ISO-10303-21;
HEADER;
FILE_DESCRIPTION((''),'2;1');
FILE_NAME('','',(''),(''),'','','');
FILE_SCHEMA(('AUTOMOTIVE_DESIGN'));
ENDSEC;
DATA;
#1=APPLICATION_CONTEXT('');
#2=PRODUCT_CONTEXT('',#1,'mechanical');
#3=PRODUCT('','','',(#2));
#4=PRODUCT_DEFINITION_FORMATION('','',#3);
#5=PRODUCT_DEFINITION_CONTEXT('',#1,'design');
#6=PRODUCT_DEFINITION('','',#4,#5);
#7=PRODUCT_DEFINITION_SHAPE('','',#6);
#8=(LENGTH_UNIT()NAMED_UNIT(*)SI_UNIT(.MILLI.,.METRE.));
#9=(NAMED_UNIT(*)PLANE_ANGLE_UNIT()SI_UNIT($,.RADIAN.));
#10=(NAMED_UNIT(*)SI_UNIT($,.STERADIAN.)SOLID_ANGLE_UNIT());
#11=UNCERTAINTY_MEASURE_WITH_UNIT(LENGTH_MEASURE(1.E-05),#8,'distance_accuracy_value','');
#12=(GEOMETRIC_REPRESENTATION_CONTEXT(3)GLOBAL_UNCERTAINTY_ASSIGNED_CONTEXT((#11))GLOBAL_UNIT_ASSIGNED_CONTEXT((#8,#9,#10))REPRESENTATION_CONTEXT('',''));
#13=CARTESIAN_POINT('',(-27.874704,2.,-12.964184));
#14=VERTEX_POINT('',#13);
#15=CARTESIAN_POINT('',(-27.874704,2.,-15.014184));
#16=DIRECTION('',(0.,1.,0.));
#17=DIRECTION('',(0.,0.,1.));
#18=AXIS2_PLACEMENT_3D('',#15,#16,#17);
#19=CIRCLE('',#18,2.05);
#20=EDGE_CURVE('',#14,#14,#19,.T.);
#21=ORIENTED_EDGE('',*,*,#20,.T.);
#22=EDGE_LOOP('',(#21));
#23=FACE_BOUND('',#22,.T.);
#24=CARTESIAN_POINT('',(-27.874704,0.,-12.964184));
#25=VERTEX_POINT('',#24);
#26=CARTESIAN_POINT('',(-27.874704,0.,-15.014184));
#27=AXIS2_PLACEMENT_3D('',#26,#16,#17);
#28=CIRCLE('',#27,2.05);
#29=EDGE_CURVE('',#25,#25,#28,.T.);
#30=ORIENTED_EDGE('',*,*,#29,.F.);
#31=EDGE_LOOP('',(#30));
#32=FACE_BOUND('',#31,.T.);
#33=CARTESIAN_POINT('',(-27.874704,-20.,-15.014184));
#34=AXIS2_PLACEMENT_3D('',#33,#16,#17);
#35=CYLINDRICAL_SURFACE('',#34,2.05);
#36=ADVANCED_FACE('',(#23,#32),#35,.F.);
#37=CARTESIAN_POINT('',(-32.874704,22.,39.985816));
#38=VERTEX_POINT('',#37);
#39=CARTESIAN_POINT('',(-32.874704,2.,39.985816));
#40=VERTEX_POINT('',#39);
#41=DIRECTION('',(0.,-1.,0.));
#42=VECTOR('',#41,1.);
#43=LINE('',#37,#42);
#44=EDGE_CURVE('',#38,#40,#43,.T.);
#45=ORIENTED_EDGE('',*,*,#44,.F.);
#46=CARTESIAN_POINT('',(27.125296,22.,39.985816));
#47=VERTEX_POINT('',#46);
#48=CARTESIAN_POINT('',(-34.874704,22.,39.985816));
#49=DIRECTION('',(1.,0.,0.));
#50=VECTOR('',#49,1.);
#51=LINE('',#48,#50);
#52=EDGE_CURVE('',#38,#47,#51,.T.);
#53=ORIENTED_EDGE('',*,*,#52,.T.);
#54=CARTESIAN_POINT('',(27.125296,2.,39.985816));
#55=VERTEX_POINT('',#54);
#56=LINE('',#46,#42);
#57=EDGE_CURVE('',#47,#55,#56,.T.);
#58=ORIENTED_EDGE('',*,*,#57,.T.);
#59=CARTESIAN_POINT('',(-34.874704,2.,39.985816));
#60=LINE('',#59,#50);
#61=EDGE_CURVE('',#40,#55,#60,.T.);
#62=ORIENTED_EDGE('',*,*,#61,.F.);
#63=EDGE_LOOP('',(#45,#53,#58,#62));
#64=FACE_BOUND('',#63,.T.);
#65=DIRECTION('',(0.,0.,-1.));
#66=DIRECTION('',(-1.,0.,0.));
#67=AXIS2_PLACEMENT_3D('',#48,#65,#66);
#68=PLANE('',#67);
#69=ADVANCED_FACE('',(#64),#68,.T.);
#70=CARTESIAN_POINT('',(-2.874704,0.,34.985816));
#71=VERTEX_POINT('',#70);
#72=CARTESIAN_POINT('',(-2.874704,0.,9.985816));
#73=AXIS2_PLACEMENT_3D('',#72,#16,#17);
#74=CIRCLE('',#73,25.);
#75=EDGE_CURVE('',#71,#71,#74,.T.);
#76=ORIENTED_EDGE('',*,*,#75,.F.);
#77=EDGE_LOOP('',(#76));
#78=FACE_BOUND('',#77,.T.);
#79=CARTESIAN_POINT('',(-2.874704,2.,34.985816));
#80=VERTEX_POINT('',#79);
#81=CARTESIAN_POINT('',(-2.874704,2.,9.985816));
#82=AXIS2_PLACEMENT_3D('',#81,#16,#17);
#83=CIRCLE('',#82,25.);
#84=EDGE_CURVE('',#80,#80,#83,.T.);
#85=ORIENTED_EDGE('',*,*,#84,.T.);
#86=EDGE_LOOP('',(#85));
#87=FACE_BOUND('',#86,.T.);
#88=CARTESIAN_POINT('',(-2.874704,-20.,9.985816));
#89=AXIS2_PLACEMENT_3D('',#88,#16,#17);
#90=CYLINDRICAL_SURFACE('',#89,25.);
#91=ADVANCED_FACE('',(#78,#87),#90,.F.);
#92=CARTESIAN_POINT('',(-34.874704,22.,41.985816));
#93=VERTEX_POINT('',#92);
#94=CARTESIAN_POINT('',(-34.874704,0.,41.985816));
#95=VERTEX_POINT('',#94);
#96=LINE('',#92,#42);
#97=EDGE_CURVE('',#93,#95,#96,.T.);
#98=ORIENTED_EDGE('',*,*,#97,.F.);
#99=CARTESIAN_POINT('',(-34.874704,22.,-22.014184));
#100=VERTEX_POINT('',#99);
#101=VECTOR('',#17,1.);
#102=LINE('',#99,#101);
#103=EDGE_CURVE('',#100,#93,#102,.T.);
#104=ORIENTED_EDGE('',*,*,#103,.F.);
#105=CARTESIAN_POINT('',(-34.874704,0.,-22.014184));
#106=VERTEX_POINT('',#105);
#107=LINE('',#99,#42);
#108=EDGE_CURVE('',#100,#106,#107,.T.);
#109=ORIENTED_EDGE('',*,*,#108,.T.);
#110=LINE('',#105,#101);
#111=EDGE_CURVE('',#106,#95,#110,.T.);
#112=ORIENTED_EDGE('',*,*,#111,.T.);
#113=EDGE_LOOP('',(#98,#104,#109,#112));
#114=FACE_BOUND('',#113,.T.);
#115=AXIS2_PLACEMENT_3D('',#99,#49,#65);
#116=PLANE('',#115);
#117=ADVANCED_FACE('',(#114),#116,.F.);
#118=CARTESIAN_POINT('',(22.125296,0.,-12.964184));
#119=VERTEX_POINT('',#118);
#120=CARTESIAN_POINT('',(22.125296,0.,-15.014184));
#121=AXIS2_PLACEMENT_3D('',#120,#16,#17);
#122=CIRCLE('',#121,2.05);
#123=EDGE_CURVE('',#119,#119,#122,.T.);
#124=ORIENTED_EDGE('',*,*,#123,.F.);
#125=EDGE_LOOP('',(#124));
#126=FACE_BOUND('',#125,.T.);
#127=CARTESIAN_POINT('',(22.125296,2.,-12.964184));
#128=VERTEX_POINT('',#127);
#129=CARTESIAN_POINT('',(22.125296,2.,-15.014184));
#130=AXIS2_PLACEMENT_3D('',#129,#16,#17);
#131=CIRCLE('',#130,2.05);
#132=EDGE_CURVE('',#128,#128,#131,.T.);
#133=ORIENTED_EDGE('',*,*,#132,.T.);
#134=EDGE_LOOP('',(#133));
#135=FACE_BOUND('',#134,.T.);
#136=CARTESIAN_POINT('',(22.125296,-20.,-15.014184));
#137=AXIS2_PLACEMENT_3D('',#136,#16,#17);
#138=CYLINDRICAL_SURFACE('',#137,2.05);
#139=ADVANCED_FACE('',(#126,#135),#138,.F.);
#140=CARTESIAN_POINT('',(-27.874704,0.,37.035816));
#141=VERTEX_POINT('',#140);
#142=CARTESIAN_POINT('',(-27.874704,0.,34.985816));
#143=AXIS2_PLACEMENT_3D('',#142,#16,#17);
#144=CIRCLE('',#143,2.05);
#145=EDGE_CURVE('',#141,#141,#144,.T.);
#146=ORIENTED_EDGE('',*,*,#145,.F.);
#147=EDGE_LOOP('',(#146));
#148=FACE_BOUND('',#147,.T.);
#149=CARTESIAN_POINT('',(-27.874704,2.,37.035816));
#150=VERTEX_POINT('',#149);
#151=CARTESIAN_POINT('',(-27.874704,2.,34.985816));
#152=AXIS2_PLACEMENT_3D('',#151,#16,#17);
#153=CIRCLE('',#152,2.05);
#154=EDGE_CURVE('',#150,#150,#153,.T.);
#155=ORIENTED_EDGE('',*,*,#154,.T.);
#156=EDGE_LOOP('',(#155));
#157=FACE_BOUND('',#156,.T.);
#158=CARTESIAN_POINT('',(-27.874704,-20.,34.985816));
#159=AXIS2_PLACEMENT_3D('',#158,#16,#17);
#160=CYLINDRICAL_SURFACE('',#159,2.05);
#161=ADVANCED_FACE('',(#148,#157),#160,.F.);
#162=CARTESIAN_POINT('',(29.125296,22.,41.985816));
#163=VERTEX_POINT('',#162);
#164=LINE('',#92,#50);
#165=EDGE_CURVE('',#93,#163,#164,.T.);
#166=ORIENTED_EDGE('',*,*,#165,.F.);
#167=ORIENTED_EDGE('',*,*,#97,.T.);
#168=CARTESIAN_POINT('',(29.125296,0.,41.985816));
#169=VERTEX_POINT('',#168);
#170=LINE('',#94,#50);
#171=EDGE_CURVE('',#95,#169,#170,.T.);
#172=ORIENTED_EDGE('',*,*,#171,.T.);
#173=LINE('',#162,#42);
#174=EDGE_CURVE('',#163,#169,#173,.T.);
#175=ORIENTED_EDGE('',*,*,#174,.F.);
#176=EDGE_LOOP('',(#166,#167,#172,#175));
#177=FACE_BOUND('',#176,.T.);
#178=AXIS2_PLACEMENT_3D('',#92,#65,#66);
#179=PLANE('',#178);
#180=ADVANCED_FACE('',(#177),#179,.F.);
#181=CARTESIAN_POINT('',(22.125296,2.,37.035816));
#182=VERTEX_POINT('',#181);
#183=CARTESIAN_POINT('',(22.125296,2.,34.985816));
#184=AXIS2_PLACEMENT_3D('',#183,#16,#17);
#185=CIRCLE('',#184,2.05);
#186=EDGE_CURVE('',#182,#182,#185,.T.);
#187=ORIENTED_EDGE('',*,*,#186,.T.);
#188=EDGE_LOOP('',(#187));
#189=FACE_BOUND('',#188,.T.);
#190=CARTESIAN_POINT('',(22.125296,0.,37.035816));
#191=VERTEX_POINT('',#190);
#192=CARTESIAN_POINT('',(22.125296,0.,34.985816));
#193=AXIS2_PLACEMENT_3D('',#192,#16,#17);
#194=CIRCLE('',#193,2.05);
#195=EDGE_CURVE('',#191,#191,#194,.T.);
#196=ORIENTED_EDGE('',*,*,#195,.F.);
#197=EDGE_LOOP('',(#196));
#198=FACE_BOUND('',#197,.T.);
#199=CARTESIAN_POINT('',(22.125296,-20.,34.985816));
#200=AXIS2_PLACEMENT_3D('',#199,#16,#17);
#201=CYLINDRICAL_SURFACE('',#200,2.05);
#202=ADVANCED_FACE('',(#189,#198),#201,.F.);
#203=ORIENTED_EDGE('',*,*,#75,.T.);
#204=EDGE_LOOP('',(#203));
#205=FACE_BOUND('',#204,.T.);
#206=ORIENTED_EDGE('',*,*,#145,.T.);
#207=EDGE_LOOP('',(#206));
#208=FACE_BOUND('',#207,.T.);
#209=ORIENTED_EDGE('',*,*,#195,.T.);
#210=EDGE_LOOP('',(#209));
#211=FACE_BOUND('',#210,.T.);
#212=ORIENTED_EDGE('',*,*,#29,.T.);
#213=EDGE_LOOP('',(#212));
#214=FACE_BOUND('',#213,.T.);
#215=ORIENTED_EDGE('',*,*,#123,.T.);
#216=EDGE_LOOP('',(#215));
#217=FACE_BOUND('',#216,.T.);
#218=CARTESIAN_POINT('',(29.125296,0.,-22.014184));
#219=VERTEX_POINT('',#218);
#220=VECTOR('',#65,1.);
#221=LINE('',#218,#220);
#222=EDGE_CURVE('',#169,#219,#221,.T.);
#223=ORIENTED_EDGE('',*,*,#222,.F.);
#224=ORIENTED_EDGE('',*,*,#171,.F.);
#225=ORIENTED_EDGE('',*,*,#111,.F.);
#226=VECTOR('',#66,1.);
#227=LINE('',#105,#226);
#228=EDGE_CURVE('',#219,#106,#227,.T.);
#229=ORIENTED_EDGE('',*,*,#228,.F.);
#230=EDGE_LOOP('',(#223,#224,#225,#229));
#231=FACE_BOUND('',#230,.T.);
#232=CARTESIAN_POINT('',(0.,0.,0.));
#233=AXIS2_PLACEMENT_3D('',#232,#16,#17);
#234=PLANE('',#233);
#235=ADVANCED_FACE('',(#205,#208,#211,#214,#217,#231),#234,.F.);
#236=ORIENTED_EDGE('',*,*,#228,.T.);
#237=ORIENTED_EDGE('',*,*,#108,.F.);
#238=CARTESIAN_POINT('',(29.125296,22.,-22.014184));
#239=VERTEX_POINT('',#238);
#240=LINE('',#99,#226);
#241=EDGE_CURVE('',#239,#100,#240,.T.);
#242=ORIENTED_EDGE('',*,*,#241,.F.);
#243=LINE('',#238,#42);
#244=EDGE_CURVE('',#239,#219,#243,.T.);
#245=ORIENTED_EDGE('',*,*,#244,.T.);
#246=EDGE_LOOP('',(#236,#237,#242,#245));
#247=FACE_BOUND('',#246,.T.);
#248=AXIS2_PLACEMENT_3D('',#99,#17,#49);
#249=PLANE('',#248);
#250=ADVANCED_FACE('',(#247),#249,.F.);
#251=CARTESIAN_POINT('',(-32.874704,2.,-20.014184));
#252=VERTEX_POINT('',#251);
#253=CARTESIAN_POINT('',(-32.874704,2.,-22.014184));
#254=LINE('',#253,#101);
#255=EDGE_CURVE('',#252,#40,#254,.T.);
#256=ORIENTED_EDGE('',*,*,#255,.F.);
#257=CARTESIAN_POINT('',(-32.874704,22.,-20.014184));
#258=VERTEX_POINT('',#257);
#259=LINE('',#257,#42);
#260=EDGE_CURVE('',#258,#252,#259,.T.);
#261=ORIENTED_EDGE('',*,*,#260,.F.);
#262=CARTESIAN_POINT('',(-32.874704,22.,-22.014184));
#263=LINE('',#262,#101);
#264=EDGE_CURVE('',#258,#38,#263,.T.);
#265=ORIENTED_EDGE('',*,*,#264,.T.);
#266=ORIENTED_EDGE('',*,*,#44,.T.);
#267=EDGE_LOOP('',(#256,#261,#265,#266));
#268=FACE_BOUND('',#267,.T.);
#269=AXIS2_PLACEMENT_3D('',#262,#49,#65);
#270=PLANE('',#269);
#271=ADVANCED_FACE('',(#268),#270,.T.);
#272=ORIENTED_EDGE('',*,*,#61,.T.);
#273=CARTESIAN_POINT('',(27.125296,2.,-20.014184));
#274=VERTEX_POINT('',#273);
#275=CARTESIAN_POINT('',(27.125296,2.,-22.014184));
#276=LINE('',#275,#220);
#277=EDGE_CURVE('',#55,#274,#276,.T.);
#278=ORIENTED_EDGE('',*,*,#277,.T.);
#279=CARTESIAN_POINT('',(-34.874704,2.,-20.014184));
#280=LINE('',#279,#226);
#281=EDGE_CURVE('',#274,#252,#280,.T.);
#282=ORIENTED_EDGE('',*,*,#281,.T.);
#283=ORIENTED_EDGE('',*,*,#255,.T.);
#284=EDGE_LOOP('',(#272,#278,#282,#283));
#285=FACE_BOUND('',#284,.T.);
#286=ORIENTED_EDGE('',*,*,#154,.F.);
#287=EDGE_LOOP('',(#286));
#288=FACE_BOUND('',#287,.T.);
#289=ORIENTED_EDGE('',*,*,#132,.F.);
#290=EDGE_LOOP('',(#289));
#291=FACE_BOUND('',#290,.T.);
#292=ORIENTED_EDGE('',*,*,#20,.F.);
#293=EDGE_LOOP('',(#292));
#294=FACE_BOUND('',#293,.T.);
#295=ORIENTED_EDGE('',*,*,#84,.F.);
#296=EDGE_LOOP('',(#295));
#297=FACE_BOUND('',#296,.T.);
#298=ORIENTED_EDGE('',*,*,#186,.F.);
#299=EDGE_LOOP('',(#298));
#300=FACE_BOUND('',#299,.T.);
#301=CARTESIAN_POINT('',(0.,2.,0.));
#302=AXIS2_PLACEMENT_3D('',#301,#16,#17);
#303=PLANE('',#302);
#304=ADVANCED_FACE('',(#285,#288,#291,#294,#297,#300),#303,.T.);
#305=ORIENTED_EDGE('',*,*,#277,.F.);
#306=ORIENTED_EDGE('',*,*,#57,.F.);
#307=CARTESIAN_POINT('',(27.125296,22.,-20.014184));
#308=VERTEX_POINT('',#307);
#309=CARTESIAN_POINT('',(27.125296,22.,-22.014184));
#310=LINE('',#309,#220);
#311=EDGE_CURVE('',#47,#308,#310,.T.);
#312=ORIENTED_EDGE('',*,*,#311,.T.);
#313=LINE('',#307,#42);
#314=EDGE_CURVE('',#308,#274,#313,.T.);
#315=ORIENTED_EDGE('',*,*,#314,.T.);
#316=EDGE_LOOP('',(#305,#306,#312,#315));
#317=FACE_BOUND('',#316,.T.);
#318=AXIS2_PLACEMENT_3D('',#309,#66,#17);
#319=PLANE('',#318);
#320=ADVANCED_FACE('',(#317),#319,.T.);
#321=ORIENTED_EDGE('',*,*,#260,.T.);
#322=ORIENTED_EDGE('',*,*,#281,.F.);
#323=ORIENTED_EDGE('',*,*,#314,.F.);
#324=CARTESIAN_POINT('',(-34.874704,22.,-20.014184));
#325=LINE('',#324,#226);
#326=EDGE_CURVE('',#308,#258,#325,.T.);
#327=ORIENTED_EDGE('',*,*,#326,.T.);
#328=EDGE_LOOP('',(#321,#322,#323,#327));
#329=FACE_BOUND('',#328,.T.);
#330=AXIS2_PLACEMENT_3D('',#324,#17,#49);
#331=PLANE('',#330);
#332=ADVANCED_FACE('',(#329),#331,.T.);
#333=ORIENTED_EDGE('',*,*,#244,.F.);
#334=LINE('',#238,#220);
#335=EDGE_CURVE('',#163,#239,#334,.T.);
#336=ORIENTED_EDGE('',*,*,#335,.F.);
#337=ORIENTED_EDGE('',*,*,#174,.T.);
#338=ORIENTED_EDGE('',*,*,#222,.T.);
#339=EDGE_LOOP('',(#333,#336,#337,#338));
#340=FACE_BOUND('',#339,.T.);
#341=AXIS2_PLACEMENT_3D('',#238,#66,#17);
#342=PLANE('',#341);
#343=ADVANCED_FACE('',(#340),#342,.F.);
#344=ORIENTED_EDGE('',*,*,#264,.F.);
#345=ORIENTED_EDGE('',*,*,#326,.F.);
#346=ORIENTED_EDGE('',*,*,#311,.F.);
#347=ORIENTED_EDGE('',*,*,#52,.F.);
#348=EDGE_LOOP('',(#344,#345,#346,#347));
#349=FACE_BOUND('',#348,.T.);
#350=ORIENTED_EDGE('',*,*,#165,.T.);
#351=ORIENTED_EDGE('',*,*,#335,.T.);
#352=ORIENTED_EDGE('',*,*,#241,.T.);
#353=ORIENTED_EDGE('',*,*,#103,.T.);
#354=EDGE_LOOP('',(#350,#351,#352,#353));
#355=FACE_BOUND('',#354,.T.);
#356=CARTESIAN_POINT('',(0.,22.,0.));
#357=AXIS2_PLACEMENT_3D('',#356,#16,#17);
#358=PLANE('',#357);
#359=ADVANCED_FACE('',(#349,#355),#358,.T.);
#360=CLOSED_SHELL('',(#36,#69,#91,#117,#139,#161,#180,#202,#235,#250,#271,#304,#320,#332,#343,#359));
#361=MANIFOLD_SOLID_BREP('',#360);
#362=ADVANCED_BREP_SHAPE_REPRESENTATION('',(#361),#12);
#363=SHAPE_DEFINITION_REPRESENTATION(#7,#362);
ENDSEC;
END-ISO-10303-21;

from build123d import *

# Parameters (mm, degrees)
SKETCH_1_W          = 64
SKETCH_1_H          = 64
EXTRUDE_1_DEPTH     = 22
SHELL_1_T           = -2
SKETCH_2_R          = 25
CUT_EXTRUDE_1_DEPTH = 22
SKETCH_3_R          = 2.05
CUT_EXTRUDE_2_DEPTH = 22


with BuildPart() as part:
    # 草图1 → 凸台-拉伸1 (new body)
    with BuildSketch(Plane(origin=(0, 0, 0), x_dir=(1, 0, 0), z_dir=(0, 1, 0))):
        with Locations((-2.874704492, -9.985815603)):
            Rectangle(SKETCH_1_W, SKETCH_1_H)
    extrude(amount=EXTRUDE_1_DEPTH)

    # 抽壳1
    shell_1_openings = [part.faces().sort_by_distance(p)[0] for p in [
        (-2.874704492, 22, 9.985815603),
    ]]
    offset(amount=SHELL_1_T, openings=shell_1_openings, kind=Kind.INTERSECTION)

    # 草图2 → 切除-拉伸1 (cut)
    with BuildSketch(Plane(origin=(0, 2, 0), x_dir=(1, 0, 0), z_dir=(0, 1, 0))):
        with Locations(Location((-2.874704492, -9.985815603, 0), (0, 0, 270))):
            Circle(SKETCH_2_R)
    extrude(amount=-CUT_EXTRUDE_1_DEPTH, mode=Mode.SUBTRACT)

    # 草图3 → 切除-拉伸2 (cut)
    with BuildSketch(Plane(origin=(0, 2, 0), x_dir=(1, 0, 0), z_dir=(0, 1, 0))):
        with Locations(Location((-27.874704492, 15.014184397, 0), (0, 0, 270))):
            Circle(SKETCH_3_R)
        with Locations(Location((22.125295508, 15.014184397, 0), (0, 0, 270))):
            Circle(SKETCH_3_R)
        with Locations(Location((-27.874704492, -34.985815603, 0), (0, 0, 270))):
            Circle(SKETCH_3_R)
        with Locations(Location((22.125295508, -34.985815603, 0), (0, 0, 270))):
            Circle(SKETCH_3_R)
    extrude(amount=-CUT_EXTRUDE_2_DEPTH, mode=Mode.SUBTRACT)


solid = part.part
